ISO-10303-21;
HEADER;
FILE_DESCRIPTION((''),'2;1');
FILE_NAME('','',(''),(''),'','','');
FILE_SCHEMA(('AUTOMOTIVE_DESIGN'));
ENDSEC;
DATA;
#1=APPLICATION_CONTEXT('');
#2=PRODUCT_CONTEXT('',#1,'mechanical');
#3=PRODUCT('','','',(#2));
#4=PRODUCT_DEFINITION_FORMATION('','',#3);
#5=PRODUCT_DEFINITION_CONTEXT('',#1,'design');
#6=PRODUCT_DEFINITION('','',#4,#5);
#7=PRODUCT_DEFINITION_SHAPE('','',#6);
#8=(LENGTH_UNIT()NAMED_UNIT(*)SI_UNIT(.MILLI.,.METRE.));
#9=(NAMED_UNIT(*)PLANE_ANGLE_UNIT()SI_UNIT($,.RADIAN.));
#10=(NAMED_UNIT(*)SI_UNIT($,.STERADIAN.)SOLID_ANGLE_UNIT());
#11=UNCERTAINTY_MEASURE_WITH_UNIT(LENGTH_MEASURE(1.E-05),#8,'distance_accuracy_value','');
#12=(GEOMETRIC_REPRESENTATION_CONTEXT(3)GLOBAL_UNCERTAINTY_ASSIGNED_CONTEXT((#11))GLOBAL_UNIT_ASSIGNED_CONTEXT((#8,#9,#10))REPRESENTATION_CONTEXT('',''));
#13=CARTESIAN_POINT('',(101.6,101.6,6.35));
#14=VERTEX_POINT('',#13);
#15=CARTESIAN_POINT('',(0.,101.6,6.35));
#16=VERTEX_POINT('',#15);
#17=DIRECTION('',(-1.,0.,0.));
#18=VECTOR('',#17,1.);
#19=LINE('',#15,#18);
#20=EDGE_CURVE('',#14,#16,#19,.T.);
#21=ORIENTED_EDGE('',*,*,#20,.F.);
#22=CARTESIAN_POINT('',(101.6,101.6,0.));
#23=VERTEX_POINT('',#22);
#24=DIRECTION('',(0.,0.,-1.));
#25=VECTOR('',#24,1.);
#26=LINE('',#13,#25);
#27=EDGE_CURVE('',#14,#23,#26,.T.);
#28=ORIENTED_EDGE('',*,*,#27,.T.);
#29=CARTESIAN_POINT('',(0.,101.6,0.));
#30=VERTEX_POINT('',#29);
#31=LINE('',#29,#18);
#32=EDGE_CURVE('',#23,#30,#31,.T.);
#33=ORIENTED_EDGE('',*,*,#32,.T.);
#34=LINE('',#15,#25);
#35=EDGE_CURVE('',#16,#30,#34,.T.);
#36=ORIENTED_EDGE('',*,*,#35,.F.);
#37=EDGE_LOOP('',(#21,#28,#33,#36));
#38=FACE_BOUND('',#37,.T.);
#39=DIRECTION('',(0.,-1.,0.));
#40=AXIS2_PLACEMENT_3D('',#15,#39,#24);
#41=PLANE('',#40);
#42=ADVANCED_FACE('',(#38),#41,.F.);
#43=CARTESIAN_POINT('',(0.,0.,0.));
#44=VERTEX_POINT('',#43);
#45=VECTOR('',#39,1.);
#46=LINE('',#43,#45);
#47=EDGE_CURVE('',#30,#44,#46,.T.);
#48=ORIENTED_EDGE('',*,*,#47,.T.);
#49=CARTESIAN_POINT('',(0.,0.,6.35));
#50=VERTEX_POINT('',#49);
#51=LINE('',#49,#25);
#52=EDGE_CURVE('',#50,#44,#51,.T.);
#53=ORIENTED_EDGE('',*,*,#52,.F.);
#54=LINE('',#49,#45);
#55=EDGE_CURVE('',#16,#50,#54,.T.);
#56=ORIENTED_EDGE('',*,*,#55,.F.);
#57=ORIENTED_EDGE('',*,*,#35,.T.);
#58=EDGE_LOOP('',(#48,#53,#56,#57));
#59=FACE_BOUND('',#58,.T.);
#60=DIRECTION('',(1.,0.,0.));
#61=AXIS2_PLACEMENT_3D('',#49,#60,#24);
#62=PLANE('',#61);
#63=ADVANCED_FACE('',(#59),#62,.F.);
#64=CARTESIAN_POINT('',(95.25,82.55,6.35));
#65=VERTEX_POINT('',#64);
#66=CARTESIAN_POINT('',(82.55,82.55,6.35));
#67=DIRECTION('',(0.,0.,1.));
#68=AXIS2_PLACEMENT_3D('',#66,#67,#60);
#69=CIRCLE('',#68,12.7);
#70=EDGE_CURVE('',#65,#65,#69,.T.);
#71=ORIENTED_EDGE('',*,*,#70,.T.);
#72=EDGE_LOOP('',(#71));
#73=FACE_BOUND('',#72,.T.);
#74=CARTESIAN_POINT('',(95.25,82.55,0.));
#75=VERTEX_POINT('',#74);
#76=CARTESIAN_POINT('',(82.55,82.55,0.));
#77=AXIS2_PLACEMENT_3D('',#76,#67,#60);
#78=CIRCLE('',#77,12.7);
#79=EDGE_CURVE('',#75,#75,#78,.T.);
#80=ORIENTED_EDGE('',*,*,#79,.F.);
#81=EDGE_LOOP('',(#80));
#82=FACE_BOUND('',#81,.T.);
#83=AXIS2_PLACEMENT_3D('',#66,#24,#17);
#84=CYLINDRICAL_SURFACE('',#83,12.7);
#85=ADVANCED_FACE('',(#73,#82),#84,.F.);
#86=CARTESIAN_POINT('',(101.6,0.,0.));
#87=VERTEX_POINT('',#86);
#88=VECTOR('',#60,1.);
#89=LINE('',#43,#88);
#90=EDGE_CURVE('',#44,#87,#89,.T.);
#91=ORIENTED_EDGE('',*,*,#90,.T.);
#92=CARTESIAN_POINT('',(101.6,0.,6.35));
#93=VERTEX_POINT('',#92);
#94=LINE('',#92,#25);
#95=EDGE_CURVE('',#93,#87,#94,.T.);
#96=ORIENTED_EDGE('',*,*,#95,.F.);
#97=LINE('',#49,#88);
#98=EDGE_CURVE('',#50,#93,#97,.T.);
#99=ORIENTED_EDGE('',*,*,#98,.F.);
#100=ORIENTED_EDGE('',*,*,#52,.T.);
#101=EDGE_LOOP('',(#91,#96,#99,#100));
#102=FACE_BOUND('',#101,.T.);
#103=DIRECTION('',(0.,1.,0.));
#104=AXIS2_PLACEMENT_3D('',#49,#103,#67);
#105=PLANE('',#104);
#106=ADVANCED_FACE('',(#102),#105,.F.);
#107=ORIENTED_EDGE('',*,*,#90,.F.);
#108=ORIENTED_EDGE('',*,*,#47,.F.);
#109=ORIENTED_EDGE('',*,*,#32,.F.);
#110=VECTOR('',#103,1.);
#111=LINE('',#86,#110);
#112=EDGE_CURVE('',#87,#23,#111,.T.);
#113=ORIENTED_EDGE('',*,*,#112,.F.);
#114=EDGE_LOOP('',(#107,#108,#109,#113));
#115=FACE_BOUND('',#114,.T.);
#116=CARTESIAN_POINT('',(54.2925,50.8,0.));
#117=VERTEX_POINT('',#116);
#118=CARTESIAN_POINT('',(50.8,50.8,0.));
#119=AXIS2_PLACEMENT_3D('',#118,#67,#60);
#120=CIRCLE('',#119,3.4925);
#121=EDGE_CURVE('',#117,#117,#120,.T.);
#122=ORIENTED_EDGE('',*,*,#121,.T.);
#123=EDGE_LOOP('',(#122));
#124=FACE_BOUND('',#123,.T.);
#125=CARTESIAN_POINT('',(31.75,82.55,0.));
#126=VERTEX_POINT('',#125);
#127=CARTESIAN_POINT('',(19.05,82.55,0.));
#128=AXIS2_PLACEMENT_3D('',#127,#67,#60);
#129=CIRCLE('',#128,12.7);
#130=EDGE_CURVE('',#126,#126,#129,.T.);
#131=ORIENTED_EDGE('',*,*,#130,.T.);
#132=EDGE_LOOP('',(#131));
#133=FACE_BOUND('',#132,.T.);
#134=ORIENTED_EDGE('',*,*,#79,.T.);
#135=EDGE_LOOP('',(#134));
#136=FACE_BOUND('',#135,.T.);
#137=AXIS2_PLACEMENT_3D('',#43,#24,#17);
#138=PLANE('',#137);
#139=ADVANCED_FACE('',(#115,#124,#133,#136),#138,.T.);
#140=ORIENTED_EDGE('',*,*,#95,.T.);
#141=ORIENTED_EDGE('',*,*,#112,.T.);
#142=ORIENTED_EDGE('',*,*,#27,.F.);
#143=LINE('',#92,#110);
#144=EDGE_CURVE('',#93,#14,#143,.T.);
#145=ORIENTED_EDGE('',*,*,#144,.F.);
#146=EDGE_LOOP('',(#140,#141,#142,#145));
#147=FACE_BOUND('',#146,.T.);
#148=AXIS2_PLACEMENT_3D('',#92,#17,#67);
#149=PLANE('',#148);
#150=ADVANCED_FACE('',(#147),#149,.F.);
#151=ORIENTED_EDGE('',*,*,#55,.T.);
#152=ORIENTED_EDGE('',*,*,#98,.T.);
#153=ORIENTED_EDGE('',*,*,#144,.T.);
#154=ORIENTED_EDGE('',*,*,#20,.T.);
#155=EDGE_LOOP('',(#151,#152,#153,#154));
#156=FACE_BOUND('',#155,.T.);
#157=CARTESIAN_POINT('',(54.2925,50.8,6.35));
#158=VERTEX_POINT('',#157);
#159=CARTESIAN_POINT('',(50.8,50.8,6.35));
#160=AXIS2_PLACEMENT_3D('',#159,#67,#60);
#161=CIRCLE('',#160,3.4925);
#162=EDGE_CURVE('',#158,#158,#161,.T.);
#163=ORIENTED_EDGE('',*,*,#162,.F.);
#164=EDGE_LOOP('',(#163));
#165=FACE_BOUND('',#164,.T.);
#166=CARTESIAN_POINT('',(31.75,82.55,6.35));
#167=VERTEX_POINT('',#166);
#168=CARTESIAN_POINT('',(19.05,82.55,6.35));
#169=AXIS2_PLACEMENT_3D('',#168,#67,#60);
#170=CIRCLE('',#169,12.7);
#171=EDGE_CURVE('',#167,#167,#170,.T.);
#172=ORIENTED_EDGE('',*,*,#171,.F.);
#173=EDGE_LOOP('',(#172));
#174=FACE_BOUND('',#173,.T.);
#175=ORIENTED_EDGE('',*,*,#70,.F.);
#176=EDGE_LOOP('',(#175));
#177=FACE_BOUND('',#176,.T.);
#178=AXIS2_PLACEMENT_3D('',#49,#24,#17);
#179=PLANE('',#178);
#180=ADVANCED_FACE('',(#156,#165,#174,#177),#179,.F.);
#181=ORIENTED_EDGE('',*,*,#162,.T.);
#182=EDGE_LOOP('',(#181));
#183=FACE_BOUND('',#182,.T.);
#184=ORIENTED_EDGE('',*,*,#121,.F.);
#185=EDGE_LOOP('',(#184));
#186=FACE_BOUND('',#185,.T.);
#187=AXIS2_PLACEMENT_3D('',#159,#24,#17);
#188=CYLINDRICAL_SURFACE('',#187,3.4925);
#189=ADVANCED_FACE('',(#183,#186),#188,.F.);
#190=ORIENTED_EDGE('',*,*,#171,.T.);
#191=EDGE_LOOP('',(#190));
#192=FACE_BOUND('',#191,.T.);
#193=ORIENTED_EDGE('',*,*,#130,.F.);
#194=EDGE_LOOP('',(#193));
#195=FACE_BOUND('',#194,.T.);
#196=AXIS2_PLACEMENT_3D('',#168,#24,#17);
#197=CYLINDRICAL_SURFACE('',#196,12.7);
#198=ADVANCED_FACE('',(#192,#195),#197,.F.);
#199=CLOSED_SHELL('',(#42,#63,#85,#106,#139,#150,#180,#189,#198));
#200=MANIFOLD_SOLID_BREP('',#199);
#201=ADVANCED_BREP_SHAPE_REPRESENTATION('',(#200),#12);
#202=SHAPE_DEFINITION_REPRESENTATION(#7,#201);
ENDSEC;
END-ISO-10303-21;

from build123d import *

# Parameters (mm, degrees)
SKETCH1_W           = 101.6
SKETCH1_H           = 101.6
SKETCH1_R           = 12.7
SKETCH1_R_2         = 3.4925
BOSS_EXTRUDE1_DEPTH = 6.35


with BuildPart() as part:
    # Sketch1 → Boss-Extrude1 (new body)
    with BuildSketch(Plane.XY):
        with Locations((50.8, 50.8)):
            Rectangle(SKETCH1_W, SKETCH1_H)
        with Locations((19.05, 82.55)):
            Circle(SKETCH1_R, mode=Mode.SUBTRACT)
        with Locations((82.55, 82.55)):
            Circle(SKETCH1_R, mode=Mode.SUBTRACT)
        with Locations((50.8, 50.8)):
            Circle(SKETCH1_R_2, mode=Mode.SUBTRACT)
    extrude(amount=BOSS_EXTRUDE1_DEPTH)


solid = part.part
